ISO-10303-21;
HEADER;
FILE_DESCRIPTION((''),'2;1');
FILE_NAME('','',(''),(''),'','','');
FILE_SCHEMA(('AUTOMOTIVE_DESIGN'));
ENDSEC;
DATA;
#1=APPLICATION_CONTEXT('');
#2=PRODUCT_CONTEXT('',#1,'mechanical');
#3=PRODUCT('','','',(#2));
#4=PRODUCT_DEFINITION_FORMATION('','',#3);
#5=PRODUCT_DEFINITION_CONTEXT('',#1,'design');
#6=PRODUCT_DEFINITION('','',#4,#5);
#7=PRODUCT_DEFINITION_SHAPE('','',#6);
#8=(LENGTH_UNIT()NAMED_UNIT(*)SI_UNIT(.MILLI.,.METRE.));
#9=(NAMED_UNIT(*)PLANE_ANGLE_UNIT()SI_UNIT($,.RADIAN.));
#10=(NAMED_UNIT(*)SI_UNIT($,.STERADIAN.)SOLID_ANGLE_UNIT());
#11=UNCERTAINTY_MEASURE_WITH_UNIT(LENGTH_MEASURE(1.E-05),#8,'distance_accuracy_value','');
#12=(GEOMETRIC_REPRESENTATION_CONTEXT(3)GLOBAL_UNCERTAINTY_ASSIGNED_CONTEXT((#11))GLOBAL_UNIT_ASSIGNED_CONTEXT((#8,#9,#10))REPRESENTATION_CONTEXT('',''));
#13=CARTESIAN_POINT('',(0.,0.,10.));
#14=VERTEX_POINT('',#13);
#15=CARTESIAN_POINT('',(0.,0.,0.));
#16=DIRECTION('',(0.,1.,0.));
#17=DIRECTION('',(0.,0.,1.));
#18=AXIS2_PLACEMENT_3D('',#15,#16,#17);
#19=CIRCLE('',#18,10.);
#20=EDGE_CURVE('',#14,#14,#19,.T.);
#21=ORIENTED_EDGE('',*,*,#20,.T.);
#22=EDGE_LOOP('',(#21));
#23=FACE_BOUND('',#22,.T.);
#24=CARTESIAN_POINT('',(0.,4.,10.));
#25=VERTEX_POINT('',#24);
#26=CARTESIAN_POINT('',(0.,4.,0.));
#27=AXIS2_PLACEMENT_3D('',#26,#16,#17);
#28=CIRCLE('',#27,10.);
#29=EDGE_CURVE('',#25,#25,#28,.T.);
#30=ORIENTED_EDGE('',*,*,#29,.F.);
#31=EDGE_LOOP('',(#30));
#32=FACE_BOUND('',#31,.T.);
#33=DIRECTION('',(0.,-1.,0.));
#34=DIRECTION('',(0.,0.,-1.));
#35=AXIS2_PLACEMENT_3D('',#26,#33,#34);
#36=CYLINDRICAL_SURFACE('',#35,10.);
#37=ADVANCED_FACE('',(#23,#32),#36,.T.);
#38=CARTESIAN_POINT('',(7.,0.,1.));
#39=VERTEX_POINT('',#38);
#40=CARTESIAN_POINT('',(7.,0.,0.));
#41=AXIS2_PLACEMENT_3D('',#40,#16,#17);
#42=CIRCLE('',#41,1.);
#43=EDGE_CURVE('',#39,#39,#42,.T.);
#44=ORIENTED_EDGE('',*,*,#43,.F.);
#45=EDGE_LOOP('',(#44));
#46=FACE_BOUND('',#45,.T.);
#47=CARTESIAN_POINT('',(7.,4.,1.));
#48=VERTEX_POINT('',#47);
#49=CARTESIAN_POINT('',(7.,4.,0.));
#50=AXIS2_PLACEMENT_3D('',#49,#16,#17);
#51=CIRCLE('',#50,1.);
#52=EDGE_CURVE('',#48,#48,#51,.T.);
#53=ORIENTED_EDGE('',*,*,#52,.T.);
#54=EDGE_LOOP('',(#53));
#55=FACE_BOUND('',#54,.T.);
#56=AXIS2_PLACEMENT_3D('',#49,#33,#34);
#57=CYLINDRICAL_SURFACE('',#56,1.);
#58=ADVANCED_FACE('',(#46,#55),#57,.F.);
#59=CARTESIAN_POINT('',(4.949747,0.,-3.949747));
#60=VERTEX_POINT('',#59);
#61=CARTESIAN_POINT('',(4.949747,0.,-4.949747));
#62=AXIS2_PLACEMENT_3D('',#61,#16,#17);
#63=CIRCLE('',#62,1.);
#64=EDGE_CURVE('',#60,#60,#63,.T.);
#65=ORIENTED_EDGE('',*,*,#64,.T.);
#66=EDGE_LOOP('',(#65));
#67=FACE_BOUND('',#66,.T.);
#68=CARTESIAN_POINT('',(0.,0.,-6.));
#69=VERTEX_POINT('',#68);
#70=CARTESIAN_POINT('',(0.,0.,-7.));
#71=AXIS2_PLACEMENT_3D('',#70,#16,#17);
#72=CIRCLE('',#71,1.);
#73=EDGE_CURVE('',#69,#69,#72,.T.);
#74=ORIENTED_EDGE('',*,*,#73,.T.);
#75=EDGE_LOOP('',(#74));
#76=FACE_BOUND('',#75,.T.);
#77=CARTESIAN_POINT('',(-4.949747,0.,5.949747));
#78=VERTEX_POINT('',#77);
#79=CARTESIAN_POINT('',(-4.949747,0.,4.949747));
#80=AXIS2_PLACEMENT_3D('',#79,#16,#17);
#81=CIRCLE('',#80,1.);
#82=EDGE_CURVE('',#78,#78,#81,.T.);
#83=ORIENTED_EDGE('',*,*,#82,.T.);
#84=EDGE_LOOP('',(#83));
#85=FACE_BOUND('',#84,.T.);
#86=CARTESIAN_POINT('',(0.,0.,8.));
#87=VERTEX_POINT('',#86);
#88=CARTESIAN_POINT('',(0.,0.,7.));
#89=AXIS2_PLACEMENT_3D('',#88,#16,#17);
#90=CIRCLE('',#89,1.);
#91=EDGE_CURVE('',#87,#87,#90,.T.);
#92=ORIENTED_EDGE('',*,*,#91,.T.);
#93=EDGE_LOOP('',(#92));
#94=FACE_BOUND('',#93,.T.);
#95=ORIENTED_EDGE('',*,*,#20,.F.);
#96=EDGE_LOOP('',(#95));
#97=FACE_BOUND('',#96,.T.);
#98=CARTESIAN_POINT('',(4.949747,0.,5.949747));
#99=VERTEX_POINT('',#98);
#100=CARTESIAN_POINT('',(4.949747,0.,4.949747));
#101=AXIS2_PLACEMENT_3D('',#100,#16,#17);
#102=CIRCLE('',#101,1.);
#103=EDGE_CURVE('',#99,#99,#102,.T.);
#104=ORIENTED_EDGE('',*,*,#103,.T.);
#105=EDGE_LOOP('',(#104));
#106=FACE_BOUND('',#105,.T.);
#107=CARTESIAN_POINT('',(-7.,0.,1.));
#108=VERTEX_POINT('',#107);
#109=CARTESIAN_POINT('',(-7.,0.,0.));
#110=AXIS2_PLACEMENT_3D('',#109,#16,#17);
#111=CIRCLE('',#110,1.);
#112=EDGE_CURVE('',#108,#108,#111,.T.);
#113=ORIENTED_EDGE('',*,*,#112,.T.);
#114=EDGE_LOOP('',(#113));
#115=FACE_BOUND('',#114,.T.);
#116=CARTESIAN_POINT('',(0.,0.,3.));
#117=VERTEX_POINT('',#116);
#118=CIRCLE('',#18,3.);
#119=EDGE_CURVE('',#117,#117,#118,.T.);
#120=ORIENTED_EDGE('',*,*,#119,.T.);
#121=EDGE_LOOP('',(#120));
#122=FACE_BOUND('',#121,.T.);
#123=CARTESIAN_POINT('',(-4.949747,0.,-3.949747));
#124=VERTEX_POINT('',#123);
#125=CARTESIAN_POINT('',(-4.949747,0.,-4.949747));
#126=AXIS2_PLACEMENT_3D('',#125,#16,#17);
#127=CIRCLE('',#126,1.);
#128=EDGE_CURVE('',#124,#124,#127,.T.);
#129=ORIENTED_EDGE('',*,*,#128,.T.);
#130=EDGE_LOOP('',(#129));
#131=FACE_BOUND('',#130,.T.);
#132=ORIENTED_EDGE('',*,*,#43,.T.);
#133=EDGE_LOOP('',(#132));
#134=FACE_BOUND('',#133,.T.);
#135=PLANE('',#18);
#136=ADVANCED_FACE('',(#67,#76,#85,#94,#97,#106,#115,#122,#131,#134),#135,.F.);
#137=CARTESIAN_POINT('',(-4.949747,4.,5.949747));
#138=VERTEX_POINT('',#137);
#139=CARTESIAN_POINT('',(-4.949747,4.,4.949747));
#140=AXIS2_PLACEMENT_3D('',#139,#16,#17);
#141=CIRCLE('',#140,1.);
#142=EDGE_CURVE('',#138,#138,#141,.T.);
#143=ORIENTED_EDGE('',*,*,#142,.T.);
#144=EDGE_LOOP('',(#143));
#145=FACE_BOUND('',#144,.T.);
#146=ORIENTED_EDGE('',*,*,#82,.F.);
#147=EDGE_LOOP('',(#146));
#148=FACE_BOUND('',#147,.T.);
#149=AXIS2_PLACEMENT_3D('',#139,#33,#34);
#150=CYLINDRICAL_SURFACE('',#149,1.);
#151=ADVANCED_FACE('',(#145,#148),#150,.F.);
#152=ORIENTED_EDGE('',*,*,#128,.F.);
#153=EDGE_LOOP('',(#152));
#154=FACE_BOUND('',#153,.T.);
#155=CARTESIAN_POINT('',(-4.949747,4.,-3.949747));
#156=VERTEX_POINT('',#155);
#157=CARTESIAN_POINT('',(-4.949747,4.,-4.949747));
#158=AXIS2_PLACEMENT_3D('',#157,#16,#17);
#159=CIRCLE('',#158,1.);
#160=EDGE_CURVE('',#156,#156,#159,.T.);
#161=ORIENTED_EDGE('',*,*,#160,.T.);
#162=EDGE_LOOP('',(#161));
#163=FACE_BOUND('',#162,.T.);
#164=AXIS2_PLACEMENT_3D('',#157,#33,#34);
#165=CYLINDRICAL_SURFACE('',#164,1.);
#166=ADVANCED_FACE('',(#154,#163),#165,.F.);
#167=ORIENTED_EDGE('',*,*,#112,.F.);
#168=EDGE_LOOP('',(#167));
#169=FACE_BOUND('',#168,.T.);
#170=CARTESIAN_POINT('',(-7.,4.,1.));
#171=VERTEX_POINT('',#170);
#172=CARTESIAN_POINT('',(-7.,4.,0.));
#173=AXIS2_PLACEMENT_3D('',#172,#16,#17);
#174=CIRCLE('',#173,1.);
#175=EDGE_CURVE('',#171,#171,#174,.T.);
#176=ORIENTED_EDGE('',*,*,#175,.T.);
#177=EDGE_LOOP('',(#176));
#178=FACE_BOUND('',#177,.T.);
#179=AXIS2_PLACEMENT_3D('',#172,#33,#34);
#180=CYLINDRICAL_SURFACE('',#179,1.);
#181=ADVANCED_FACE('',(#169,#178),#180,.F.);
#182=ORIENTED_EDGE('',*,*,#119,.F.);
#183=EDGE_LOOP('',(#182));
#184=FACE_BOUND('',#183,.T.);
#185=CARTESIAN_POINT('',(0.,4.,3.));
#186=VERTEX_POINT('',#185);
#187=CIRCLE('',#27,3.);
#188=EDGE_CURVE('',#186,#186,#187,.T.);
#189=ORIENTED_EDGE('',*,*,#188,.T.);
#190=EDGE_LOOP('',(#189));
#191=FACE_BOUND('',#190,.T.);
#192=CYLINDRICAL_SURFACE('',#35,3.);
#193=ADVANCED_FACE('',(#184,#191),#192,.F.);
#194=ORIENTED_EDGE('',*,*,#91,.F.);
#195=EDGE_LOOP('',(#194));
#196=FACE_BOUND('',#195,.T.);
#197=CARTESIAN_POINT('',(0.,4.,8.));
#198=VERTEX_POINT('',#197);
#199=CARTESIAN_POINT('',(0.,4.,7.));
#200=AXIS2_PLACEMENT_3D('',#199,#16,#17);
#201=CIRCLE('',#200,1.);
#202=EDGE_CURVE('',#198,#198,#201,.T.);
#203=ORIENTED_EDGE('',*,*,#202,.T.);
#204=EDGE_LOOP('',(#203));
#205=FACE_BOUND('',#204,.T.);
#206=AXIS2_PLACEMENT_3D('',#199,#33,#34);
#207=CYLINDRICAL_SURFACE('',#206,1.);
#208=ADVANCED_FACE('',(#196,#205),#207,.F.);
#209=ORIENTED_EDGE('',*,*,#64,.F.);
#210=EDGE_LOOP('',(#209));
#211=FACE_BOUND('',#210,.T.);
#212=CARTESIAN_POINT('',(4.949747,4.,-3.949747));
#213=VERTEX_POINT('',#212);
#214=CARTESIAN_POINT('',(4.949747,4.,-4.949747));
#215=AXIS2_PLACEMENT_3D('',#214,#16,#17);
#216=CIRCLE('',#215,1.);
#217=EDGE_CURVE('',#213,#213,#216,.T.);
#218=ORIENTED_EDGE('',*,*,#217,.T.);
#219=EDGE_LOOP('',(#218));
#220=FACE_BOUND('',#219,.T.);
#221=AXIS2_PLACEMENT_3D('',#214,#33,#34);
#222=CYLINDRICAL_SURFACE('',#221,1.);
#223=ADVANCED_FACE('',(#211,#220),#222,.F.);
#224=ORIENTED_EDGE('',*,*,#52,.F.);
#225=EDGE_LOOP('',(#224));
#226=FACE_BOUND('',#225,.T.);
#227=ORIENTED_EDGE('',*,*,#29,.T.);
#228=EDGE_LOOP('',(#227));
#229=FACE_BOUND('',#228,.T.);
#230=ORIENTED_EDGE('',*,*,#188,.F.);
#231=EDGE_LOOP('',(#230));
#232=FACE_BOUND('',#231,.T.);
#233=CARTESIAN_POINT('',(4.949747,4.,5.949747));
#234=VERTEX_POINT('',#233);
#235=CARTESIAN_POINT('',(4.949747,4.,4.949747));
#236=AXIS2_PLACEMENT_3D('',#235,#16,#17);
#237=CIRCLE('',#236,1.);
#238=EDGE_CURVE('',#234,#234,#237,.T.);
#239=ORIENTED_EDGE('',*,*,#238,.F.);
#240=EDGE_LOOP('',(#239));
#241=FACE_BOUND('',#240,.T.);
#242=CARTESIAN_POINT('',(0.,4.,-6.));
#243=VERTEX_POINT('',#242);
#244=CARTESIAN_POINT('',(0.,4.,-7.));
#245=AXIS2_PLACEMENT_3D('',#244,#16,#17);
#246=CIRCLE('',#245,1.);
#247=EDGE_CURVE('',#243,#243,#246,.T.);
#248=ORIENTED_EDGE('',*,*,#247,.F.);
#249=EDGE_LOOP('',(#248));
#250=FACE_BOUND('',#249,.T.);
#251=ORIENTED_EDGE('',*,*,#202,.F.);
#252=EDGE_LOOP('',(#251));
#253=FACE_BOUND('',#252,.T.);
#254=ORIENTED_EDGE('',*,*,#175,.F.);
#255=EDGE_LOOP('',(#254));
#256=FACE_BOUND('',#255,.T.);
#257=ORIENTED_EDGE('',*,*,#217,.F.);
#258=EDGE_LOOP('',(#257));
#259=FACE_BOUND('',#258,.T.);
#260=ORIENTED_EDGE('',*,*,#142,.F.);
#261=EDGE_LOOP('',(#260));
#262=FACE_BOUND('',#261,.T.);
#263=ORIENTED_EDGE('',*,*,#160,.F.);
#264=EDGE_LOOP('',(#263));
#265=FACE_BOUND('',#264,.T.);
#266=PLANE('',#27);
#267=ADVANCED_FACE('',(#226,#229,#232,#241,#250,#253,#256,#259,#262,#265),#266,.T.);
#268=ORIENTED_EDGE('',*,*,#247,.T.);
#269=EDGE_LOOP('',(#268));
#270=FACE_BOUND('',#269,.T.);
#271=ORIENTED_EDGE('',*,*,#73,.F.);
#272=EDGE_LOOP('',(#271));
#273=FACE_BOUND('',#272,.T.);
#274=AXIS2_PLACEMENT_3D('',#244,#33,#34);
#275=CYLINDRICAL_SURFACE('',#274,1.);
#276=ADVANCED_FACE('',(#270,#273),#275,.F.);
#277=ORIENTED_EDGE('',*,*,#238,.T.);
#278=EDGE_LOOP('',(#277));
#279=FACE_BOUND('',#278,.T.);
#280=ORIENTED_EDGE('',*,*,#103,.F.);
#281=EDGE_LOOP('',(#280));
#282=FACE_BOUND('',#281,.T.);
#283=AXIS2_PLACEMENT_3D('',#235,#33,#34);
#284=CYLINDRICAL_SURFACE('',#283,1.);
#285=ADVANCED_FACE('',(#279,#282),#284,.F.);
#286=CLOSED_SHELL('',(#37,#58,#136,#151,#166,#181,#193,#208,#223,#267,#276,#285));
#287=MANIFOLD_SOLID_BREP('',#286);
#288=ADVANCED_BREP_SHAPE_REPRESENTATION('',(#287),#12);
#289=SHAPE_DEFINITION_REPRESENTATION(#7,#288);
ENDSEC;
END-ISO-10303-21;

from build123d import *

# Parameters (mm, degrees)
SKETCH2_R           = 10
SKETCH2_R_2         = 3
SKETCH2_R_3         = 1
BOSS_EXTRUDE1_DEPTH = 4


with BuildPart() as part:
    # Sketch2 → Boss-Extrude1 (new body)
    with BuildSketch(Plane(origin=(0, 0, 0), x_dir=(1, 0, 0), z_dir=(0, 1, 0))):
        with Locations(Location((0, 0, 0), (0, 0, 270))):
            Circle(SKETCH2_R)
        with Locations(Location((0, 0, 0), (0, 0, 270))):
            Circle(SKETCH2_R_2, mode=Mode.SUBTRACT)
        with Locations(Location((0, 7, 0), (0, 0, 270))):
            Circle(SKETCH2_R_3, mode=Mode.SUBTRACT)
        with Locations(Location((4.949747468, 4.949747468, 0), (0, 0, 270))):
            Circle(SKETCH2_R_3, mode=Mode.SUBTRACT)
        with Locations(Location((7, 0, 0), (0, 0, 270))):
            Circle(SKETCH2_R_3, mode=Mode.SUBTRACT)
        with Locations(Location((4.949747468, -4.949747468, 0), (0, 0, 270))):
            Circle(SKETCH2_R_3, mode=Mode.SUBTRACT)
        with Locations(Location((0, -7, 0), (0, 0, 270))):
            Circle(SKETCH2_R_3, mode=Mode.SUBTRACT)
        with Locations(Location((-4.949747468, -4.949747468, 0), (0, 0, 270))):
            Circle(SKETCH2_R_3, mode=Mode.SUBTRACT)
        with Locations(Location((-7, 0, 0), (0, 0, 270))):
            Circle(SKETCH2_R_3, mode=Mode.SUBTRACT)
        with Locations(Location((-4.949747468, 4.949747468, 0), (0, 0, 270))):
            Circle(SKETCH2_R_3, mode=Mode.SUBTRACT)
    extrude(amount=BOSS_EXTRUDE1_DEPTH)


solid = part.part
